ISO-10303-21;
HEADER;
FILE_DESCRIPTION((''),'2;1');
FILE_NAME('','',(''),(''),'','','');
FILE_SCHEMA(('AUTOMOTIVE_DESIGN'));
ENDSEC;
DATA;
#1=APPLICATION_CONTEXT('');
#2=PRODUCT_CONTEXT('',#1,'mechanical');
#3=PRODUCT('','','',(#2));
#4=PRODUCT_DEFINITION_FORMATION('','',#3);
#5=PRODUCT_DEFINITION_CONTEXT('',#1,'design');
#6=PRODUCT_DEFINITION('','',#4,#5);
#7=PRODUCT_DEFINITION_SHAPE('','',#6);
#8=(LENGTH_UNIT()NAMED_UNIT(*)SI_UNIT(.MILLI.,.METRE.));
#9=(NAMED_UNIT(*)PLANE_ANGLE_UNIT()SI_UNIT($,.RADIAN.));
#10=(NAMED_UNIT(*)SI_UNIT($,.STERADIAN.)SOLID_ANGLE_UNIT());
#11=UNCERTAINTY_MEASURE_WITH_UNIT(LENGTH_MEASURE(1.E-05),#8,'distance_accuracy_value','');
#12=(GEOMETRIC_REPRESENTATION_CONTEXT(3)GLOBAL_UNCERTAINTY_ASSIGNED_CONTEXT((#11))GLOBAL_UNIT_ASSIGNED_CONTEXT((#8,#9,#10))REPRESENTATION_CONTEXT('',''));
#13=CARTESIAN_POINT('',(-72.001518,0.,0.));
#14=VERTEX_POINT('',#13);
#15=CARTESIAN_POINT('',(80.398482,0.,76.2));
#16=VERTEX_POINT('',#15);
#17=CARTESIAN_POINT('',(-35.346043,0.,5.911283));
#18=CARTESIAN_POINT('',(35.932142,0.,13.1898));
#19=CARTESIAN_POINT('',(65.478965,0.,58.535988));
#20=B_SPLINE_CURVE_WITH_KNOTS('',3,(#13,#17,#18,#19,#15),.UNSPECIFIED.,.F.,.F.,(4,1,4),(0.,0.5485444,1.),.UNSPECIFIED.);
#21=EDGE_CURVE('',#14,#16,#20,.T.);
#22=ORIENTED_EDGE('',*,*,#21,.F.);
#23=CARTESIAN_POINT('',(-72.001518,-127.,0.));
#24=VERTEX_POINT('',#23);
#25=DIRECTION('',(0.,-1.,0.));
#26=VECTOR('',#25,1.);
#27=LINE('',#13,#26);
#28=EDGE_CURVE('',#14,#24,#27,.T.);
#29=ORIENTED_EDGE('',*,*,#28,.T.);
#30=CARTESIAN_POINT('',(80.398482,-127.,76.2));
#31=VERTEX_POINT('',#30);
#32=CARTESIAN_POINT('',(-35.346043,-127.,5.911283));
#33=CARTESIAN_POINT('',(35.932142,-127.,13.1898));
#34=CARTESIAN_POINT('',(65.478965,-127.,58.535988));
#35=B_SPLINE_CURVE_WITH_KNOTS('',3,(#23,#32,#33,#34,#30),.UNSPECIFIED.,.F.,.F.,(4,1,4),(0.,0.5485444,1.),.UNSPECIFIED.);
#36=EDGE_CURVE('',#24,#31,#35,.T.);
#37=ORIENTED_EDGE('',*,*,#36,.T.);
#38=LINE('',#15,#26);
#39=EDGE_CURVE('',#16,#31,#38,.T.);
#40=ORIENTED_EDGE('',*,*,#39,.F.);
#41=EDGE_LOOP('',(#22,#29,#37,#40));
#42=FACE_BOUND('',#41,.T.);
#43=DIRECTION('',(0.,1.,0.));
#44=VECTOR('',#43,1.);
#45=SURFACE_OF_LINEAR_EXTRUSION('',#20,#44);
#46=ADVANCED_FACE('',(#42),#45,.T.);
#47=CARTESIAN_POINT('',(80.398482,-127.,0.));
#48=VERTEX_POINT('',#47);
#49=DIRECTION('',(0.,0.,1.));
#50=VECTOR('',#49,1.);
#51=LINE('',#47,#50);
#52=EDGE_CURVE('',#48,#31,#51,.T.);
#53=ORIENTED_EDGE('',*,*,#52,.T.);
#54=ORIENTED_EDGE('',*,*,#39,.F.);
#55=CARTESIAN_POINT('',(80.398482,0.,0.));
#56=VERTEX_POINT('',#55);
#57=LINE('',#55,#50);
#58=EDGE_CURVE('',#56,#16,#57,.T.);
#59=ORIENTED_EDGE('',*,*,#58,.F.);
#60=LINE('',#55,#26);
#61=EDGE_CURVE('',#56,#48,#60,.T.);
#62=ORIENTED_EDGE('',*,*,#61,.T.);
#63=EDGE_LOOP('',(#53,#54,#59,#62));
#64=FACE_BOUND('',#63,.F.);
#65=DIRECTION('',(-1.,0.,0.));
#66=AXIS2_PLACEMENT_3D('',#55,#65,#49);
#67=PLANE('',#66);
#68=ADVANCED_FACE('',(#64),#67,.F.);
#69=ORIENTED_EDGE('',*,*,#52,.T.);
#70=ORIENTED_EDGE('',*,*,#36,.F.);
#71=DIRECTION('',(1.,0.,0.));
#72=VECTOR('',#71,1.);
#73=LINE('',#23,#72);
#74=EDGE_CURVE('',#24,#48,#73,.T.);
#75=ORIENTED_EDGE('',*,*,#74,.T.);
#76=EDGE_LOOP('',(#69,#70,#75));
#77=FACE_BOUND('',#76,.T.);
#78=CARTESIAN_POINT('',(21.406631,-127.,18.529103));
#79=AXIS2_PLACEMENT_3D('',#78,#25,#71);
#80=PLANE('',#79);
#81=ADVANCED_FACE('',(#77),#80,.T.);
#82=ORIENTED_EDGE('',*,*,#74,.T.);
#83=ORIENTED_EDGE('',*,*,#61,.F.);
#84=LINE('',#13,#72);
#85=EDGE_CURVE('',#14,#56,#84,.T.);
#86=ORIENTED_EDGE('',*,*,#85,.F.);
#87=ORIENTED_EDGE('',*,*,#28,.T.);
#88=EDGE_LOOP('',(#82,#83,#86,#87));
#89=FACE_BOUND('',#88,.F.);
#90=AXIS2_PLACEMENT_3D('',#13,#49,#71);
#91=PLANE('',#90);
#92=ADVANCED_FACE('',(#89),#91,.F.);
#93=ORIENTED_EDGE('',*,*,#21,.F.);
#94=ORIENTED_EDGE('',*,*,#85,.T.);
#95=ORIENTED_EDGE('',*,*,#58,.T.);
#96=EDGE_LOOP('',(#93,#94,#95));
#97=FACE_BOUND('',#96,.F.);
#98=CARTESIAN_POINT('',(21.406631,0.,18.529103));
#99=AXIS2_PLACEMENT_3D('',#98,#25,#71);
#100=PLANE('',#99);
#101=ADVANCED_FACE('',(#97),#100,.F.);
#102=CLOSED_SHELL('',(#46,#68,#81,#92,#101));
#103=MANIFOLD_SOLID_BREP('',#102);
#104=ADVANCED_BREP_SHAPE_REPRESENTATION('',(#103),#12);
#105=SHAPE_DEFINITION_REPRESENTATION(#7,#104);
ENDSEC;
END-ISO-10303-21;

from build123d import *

# Parameters (mm, degrees)
F1_DEPTH = 127


with BuildPart() as f1:
    # F0 (on Front) → F1 (new body)
    with BuildSketch(Plane.XZ):
        with BuildLine():
            Line((-72.0015183954, 0), (0, 0))
            Line((0, 0), (80.3984816046, 0))
            Line((80.3984816046, 0), (80.3984816046, 76.2))
            add(Edge.make_bspline(
                [(-72.0015183954, 0), (-35.3460429096, 5.9112825354), (35.9321424173, 13.1898001876), (65.478964789, 58.5359876876), (80.3984816046, 76.2)],
                knots=[0, 0, 0, 0, 0.5485444005, 1, 1, 1, 1], degree=3))
        make_face()
    extrude(amount=F1_DEPTH)


solid = f1.part
